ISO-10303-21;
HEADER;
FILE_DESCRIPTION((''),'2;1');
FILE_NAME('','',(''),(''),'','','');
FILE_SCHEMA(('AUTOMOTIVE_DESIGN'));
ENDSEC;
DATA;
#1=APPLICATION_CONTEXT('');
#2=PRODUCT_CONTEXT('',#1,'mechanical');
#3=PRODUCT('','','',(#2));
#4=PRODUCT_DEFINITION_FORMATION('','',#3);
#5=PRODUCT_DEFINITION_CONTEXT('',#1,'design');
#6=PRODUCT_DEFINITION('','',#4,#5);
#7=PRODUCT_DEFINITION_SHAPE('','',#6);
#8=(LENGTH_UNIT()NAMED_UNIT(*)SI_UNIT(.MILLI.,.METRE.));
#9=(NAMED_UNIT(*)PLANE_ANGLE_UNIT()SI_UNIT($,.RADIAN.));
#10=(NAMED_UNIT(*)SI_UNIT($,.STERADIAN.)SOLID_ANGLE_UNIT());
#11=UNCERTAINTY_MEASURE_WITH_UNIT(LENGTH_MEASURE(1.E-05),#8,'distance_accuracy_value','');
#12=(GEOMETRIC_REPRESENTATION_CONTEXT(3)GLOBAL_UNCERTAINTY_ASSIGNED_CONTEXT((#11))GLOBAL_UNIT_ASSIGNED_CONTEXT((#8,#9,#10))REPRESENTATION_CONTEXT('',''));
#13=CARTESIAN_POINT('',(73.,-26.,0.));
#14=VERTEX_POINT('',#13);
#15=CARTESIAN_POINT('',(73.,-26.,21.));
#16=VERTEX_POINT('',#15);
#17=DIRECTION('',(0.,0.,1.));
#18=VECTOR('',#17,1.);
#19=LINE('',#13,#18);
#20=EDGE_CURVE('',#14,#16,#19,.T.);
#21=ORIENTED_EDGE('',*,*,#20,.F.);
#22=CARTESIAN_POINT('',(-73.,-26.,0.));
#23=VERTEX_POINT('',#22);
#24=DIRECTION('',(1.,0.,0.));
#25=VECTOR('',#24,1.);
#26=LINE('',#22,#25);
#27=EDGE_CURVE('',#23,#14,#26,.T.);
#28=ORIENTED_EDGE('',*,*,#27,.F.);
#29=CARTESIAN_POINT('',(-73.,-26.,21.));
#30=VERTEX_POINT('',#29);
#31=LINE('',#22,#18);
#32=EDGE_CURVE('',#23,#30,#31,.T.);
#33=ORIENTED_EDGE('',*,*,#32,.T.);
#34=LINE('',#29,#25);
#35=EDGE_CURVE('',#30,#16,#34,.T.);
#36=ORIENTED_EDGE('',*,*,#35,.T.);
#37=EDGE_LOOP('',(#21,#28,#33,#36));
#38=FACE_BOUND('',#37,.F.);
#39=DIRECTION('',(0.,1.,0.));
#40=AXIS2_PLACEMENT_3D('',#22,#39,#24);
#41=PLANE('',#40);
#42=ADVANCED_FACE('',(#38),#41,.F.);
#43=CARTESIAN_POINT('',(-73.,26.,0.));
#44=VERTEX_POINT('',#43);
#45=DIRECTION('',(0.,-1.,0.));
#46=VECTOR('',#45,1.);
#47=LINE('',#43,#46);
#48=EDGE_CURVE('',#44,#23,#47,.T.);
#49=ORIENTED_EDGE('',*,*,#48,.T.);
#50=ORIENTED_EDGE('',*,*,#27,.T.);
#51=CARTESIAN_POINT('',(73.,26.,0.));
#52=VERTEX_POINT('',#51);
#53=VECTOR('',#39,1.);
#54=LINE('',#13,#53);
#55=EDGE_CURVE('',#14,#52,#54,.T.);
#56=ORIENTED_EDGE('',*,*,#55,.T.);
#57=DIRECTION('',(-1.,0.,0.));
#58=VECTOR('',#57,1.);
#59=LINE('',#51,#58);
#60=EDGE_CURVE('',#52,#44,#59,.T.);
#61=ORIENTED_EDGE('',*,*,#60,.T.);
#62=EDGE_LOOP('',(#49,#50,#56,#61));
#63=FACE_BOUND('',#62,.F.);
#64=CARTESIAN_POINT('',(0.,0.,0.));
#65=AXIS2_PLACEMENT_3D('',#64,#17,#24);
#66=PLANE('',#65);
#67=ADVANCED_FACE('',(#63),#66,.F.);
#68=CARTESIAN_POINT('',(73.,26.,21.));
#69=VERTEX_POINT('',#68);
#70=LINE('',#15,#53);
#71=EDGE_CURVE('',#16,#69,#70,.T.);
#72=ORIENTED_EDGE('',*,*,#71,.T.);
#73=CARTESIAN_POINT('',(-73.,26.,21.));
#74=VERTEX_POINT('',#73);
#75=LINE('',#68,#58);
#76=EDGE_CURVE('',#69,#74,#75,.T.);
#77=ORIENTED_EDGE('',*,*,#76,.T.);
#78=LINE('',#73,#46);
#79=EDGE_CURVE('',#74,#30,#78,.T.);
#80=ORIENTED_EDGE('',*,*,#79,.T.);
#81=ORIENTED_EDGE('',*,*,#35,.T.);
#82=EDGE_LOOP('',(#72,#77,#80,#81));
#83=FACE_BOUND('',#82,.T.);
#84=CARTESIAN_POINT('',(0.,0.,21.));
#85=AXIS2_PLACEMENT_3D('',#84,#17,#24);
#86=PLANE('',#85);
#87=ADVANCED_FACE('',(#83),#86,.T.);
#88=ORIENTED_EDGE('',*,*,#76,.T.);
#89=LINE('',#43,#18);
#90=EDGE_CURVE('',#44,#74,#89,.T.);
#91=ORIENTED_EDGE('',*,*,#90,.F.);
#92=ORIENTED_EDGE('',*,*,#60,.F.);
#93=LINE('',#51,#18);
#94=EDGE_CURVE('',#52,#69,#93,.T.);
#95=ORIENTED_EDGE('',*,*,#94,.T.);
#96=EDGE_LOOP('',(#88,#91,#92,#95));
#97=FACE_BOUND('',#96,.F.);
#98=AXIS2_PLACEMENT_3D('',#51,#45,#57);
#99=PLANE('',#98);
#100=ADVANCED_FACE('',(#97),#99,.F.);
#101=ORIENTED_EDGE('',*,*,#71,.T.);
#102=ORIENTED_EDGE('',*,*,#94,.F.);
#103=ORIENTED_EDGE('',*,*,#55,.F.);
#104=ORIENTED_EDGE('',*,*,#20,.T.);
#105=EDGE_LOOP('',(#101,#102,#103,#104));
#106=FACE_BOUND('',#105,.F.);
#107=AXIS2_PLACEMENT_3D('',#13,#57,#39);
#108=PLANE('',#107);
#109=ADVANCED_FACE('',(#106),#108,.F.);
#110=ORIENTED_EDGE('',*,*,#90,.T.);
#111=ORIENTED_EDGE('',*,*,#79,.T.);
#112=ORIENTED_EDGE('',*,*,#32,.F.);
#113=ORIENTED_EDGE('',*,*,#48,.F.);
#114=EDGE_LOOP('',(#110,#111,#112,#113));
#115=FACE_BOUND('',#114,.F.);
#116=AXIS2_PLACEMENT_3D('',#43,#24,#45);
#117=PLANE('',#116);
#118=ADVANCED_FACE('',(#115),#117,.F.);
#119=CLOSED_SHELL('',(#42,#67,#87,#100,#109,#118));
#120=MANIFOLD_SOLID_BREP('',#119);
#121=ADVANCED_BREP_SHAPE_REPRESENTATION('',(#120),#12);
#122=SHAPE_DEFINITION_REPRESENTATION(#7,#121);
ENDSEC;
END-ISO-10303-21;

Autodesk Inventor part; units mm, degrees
ref_plane "YZ Plane" through (0, 0, 0) normal (1, 0, 0) x (0, 1, 0)
ref_plane "XZ Plane" through (0, 0, 0) normal (0, 1, 0) x (-1, 0, 0)
ref_plane "XY Plane" through (0, 0, 0) normal (0, 0, 1) x (1, 0, 0)
sketch "Эскиз1" plane through (0, 0, 0) normal (0, 0, 1) x (1, 0, 0)
  line L0 (-73, -26) -> (73, -26)
  line L1 (73, -26) -> (73, 26)
  line L2 (73, 26) -> (-73, 26)
  line L3 (-73, 26) -> (-73, -26)
  line L4 (-73, -26) -> (73, 26) construction
  line L5 (73, -26) -> (-73, 26) construction
  point P0 (0, 0)
  dimension "d0" = 146
  dimension "d1" = 52
extrude "Выдавливание1" add sketch "Эскиз1" along normal blind 21
properties part number "Блок питания MA-60-12_12V"
